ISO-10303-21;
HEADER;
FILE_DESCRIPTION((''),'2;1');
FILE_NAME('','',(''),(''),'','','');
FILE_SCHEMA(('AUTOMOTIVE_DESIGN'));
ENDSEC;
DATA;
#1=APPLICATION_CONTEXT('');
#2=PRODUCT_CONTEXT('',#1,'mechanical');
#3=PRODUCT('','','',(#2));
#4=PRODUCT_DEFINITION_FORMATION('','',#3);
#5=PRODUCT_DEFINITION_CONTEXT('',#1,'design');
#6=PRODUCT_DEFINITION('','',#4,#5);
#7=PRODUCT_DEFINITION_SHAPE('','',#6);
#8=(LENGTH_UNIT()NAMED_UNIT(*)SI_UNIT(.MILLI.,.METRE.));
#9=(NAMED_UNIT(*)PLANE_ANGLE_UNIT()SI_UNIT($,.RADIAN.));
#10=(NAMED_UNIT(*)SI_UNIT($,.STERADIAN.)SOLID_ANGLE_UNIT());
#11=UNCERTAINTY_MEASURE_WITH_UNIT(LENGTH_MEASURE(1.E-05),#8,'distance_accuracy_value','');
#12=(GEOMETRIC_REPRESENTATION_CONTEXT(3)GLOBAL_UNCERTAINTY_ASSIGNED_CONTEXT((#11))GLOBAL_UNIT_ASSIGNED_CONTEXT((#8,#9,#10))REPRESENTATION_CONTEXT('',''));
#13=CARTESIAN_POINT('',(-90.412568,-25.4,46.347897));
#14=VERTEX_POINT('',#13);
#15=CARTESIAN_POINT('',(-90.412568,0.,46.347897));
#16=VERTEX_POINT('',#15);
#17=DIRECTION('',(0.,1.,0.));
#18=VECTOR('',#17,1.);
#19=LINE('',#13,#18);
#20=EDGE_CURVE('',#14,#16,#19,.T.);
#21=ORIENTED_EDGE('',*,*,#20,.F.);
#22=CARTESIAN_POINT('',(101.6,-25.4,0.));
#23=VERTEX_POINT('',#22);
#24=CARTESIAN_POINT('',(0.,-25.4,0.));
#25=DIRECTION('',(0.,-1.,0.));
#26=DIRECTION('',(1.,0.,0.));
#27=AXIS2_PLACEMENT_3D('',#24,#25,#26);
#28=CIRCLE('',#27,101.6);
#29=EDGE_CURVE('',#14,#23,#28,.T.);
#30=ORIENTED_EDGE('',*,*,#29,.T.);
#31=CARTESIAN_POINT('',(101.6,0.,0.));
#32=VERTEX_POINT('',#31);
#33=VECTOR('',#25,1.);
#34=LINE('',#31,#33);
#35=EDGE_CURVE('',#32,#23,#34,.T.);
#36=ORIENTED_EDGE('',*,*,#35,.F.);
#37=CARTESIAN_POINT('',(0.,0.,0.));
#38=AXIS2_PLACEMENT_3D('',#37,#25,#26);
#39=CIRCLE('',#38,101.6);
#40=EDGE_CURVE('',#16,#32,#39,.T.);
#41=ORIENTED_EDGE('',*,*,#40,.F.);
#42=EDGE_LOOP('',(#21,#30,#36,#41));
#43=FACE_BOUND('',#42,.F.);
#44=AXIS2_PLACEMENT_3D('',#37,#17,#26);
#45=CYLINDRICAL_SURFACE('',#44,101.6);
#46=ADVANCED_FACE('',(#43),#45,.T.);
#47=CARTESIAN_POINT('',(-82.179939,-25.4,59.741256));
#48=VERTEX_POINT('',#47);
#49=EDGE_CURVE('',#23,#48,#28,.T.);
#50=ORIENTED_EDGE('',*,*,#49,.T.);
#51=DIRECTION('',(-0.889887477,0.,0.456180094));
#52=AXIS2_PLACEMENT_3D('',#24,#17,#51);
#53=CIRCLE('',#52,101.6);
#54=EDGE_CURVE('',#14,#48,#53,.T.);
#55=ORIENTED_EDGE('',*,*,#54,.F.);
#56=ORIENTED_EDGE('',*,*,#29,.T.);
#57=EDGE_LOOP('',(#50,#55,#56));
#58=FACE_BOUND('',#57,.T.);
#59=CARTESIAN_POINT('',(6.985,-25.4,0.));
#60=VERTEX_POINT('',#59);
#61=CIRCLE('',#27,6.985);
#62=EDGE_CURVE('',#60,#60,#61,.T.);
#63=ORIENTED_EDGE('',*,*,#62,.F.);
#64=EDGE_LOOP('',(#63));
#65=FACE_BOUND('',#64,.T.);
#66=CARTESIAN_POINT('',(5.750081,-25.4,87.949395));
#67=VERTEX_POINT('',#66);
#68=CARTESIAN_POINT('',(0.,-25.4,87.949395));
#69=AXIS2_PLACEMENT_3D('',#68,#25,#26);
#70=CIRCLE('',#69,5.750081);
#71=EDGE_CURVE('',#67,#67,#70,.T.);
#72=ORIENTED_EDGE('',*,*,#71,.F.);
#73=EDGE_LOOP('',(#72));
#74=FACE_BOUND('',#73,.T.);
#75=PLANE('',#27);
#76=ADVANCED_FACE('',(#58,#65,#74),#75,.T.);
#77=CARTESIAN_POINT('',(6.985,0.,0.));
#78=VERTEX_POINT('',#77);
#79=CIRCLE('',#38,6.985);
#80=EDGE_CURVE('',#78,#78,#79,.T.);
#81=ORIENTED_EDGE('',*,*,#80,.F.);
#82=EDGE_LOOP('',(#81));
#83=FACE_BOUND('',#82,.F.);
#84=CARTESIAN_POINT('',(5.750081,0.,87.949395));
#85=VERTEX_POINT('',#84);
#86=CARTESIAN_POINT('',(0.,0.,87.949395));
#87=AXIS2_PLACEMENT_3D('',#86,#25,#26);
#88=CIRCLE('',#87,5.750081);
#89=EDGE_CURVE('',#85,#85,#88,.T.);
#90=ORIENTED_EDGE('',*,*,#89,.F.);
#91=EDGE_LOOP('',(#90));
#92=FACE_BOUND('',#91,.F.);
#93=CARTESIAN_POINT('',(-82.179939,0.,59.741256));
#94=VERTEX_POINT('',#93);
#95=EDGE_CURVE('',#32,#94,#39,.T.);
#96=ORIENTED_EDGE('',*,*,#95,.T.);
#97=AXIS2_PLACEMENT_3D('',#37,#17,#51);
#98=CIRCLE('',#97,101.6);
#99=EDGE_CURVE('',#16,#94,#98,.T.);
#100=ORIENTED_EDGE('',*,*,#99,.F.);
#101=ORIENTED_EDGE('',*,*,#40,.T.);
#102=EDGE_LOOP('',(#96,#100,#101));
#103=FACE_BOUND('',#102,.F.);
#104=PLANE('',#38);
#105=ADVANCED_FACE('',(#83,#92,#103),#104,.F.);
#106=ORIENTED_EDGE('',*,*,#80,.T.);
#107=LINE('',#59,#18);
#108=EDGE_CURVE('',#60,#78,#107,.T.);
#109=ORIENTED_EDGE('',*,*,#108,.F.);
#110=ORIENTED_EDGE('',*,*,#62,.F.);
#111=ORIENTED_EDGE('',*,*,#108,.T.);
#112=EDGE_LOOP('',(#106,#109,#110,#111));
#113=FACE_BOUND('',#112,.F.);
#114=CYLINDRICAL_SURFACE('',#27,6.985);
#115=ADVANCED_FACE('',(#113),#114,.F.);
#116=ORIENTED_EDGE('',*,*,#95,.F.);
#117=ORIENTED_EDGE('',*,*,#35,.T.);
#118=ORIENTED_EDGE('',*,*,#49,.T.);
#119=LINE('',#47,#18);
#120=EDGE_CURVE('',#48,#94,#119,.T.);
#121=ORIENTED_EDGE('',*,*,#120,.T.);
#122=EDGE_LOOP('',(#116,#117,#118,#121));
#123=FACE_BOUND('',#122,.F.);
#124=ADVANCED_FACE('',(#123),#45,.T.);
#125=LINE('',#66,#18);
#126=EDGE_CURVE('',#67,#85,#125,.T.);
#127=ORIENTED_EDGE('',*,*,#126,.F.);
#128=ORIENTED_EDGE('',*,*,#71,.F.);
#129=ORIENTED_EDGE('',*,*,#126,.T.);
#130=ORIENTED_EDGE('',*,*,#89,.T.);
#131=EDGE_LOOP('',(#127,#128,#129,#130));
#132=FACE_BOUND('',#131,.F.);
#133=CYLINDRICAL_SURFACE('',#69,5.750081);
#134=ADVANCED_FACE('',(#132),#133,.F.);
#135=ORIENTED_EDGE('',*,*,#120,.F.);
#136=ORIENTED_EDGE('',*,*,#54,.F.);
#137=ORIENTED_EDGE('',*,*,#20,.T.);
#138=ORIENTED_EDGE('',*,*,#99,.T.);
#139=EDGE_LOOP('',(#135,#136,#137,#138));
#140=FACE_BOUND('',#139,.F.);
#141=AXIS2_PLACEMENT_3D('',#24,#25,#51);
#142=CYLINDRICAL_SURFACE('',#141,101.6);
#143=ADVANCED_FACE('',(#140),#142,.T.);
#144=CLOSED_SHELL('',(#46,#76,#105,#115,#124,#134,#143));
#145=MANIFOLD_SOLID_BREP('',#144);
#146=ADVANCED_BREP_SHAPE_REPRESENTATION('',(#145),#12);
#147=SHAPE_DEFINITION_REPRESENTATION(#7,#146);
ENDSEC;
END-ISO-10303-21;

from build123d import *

# Parameters (mm, degrees)
F0_R     = 101.6
F1_DEPTH = 25.4
F2_R     = 6.985
F3_DEPTH = 25.4
F5_DEPTH = 25.4
F6_R     = 5.7500810909
F7_DEPTH = 25.4


with BuildPart() as f1:
    # F0 (on Front) → F1 (new body)
    with BuildSketch(Plane.XZ):
        Circle(F0_R)
    extrude(amount=F1_DEPTH)

    # F2 (on face) → F3 (cut)
    with BuildSketch(Plane.XZ.offset(25.4)):
        Circle(F2_R)
    extrude(amount=-F3_DEPTH, mode=Mode.SUBTRACT)

    # F4 (on face) → F5 (cut)
    with BuildSketch(Plane.XZ.offset(25.4)):
        with BuildLine():
            ThreePointArc((-90.4125676958, 46.3478974998), (-86.5556978754, 53.2040521511), (-82.1799387694, 59.7412559615))
            Line((-82.1799387694, 59.7412559615), (-107.8644320369, 59.7412559615))
            Line((-107.8644320369, 59.7412559615), (-107.8644320369, 46.3478974998))
            Line((-107.8644320369, 46.3478974998), (-90.4125676958, 46.3478974998))
        make_face()
    extrude(amount=-F5_DEPTH, mode=Mode.SUBTRACT)

    # F6 (on face) → F7 (cut)
    with BuildSketch(Plane.XZ.offset(25.4)):
        with Locations((0, 87.9493951797)):
            Circle(F6_R)
    extrude(amount=-F7_DEPTH, mode=Mode.SUBTRACT)


solid = f1.part
